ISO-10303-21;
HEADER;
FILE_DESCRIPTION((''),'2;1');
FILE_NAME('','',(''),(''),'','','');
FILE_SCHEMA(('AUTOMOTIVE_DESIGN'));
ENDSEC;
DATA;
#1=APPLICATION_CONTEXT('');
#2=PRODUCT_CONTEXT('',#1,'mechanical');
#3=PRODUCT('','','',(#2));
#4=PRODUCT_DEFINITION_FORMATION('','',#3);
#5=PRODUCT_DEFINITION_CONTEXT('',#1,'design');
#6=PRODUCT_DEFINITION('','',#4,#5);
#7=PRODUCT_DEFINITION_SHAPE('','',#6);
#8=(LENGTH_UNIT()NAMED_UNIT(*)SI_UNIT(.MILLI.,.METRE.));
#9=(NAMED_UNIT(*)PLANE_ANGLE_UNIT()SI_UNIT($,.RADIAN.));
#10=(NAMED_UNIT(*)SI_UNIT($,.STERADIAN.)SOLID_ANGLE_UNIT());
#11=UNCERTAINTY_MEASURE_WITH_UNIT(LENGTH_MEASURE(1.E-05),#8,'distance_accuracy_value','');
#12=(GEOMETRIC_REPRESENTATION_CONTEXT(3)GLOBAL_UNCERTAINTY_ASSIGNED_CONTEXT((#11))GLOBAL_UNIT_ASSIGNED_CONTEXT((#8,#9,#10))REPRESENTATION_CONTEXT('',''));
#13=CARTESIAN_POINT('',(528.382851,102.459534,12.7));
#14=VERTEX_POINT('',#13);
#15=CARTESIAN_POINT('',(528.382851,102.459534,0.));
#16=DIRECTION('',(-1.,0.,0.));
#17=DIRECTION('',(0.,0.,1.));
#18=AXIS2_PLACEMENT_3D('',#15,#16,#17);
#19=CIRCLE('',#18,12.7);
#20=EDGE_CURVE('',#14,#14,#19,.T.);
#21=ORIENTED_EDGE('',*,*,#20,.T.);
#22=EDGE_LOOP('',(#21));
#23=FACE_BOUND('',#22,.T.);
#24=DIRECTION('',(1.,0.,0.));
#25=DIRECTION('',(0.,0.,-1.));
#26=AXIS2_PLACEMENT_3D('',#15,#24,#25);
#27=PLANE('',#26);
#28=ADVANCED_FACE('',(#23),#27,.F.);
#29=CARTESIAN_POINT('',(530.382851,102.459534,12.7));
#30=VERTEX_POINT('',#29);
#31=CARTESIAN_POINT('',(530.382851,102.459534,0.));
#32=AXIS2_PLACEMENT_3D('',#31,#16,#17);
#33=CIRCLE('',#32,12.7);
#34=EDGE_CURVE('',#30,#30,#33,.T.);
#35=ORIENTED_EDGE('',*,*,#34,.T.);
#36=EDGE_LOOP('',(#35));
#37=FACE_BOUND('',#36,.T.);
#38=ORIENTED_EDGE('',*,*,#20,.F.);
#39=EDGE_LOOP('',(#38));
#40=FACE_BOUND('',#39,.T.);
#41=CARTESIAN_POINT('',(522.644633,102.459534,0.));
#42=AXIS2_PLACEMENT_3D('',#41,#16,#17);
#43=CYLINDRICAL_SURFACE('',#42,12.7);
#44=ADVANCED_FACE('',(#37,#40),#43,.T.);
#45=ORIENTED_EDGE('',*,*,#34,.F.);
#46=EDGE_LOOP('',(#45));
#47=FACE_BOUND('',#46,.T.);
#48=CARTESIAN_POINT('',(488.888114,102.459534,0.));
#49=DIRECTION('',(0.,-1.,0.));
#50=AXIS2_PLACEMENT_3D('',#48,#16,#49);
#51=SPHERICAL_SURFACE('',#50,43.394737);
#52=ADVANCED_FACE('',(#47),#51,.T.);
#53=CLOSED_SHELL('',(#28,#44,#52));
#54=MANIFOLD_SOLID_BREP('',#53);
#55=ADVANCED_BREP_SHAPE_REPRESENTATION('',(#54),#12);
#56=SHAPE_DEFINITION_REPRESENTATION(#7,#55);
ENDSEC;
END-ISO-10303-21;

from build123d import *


with BuildPart() as part:
    # 草图1 → 旋转1 (revolve)
    with BuildSketch(Plane.XY, mode=Mode.PRIVATE) as revolve_1_sk:
        with BuildLine():
            Line((528.382850661, 102.459533873), (528.382850661, 115.159533873))
            Line((528.382850661, 115.159533873), (530.382850661, 115.159533873))
            ThreePointArc((530.382850661, 115.159533873), (531.805222128, 108.88020362), (532.282850661, 102.459533873))
            Line((532.282850661, 102.459533873), (528.382850661, 102.459533873))
        make_face()
    revolve(revolve_1_sk.sketch.rotate(Axis((522.644632625, 102.459533873, 0), (1, 0, 0)), 180), axis=Axis((522.644632625, 102.459533873, 0), (1, 0, 0)))  # turned: the seam where the file's is


solid = part.part
